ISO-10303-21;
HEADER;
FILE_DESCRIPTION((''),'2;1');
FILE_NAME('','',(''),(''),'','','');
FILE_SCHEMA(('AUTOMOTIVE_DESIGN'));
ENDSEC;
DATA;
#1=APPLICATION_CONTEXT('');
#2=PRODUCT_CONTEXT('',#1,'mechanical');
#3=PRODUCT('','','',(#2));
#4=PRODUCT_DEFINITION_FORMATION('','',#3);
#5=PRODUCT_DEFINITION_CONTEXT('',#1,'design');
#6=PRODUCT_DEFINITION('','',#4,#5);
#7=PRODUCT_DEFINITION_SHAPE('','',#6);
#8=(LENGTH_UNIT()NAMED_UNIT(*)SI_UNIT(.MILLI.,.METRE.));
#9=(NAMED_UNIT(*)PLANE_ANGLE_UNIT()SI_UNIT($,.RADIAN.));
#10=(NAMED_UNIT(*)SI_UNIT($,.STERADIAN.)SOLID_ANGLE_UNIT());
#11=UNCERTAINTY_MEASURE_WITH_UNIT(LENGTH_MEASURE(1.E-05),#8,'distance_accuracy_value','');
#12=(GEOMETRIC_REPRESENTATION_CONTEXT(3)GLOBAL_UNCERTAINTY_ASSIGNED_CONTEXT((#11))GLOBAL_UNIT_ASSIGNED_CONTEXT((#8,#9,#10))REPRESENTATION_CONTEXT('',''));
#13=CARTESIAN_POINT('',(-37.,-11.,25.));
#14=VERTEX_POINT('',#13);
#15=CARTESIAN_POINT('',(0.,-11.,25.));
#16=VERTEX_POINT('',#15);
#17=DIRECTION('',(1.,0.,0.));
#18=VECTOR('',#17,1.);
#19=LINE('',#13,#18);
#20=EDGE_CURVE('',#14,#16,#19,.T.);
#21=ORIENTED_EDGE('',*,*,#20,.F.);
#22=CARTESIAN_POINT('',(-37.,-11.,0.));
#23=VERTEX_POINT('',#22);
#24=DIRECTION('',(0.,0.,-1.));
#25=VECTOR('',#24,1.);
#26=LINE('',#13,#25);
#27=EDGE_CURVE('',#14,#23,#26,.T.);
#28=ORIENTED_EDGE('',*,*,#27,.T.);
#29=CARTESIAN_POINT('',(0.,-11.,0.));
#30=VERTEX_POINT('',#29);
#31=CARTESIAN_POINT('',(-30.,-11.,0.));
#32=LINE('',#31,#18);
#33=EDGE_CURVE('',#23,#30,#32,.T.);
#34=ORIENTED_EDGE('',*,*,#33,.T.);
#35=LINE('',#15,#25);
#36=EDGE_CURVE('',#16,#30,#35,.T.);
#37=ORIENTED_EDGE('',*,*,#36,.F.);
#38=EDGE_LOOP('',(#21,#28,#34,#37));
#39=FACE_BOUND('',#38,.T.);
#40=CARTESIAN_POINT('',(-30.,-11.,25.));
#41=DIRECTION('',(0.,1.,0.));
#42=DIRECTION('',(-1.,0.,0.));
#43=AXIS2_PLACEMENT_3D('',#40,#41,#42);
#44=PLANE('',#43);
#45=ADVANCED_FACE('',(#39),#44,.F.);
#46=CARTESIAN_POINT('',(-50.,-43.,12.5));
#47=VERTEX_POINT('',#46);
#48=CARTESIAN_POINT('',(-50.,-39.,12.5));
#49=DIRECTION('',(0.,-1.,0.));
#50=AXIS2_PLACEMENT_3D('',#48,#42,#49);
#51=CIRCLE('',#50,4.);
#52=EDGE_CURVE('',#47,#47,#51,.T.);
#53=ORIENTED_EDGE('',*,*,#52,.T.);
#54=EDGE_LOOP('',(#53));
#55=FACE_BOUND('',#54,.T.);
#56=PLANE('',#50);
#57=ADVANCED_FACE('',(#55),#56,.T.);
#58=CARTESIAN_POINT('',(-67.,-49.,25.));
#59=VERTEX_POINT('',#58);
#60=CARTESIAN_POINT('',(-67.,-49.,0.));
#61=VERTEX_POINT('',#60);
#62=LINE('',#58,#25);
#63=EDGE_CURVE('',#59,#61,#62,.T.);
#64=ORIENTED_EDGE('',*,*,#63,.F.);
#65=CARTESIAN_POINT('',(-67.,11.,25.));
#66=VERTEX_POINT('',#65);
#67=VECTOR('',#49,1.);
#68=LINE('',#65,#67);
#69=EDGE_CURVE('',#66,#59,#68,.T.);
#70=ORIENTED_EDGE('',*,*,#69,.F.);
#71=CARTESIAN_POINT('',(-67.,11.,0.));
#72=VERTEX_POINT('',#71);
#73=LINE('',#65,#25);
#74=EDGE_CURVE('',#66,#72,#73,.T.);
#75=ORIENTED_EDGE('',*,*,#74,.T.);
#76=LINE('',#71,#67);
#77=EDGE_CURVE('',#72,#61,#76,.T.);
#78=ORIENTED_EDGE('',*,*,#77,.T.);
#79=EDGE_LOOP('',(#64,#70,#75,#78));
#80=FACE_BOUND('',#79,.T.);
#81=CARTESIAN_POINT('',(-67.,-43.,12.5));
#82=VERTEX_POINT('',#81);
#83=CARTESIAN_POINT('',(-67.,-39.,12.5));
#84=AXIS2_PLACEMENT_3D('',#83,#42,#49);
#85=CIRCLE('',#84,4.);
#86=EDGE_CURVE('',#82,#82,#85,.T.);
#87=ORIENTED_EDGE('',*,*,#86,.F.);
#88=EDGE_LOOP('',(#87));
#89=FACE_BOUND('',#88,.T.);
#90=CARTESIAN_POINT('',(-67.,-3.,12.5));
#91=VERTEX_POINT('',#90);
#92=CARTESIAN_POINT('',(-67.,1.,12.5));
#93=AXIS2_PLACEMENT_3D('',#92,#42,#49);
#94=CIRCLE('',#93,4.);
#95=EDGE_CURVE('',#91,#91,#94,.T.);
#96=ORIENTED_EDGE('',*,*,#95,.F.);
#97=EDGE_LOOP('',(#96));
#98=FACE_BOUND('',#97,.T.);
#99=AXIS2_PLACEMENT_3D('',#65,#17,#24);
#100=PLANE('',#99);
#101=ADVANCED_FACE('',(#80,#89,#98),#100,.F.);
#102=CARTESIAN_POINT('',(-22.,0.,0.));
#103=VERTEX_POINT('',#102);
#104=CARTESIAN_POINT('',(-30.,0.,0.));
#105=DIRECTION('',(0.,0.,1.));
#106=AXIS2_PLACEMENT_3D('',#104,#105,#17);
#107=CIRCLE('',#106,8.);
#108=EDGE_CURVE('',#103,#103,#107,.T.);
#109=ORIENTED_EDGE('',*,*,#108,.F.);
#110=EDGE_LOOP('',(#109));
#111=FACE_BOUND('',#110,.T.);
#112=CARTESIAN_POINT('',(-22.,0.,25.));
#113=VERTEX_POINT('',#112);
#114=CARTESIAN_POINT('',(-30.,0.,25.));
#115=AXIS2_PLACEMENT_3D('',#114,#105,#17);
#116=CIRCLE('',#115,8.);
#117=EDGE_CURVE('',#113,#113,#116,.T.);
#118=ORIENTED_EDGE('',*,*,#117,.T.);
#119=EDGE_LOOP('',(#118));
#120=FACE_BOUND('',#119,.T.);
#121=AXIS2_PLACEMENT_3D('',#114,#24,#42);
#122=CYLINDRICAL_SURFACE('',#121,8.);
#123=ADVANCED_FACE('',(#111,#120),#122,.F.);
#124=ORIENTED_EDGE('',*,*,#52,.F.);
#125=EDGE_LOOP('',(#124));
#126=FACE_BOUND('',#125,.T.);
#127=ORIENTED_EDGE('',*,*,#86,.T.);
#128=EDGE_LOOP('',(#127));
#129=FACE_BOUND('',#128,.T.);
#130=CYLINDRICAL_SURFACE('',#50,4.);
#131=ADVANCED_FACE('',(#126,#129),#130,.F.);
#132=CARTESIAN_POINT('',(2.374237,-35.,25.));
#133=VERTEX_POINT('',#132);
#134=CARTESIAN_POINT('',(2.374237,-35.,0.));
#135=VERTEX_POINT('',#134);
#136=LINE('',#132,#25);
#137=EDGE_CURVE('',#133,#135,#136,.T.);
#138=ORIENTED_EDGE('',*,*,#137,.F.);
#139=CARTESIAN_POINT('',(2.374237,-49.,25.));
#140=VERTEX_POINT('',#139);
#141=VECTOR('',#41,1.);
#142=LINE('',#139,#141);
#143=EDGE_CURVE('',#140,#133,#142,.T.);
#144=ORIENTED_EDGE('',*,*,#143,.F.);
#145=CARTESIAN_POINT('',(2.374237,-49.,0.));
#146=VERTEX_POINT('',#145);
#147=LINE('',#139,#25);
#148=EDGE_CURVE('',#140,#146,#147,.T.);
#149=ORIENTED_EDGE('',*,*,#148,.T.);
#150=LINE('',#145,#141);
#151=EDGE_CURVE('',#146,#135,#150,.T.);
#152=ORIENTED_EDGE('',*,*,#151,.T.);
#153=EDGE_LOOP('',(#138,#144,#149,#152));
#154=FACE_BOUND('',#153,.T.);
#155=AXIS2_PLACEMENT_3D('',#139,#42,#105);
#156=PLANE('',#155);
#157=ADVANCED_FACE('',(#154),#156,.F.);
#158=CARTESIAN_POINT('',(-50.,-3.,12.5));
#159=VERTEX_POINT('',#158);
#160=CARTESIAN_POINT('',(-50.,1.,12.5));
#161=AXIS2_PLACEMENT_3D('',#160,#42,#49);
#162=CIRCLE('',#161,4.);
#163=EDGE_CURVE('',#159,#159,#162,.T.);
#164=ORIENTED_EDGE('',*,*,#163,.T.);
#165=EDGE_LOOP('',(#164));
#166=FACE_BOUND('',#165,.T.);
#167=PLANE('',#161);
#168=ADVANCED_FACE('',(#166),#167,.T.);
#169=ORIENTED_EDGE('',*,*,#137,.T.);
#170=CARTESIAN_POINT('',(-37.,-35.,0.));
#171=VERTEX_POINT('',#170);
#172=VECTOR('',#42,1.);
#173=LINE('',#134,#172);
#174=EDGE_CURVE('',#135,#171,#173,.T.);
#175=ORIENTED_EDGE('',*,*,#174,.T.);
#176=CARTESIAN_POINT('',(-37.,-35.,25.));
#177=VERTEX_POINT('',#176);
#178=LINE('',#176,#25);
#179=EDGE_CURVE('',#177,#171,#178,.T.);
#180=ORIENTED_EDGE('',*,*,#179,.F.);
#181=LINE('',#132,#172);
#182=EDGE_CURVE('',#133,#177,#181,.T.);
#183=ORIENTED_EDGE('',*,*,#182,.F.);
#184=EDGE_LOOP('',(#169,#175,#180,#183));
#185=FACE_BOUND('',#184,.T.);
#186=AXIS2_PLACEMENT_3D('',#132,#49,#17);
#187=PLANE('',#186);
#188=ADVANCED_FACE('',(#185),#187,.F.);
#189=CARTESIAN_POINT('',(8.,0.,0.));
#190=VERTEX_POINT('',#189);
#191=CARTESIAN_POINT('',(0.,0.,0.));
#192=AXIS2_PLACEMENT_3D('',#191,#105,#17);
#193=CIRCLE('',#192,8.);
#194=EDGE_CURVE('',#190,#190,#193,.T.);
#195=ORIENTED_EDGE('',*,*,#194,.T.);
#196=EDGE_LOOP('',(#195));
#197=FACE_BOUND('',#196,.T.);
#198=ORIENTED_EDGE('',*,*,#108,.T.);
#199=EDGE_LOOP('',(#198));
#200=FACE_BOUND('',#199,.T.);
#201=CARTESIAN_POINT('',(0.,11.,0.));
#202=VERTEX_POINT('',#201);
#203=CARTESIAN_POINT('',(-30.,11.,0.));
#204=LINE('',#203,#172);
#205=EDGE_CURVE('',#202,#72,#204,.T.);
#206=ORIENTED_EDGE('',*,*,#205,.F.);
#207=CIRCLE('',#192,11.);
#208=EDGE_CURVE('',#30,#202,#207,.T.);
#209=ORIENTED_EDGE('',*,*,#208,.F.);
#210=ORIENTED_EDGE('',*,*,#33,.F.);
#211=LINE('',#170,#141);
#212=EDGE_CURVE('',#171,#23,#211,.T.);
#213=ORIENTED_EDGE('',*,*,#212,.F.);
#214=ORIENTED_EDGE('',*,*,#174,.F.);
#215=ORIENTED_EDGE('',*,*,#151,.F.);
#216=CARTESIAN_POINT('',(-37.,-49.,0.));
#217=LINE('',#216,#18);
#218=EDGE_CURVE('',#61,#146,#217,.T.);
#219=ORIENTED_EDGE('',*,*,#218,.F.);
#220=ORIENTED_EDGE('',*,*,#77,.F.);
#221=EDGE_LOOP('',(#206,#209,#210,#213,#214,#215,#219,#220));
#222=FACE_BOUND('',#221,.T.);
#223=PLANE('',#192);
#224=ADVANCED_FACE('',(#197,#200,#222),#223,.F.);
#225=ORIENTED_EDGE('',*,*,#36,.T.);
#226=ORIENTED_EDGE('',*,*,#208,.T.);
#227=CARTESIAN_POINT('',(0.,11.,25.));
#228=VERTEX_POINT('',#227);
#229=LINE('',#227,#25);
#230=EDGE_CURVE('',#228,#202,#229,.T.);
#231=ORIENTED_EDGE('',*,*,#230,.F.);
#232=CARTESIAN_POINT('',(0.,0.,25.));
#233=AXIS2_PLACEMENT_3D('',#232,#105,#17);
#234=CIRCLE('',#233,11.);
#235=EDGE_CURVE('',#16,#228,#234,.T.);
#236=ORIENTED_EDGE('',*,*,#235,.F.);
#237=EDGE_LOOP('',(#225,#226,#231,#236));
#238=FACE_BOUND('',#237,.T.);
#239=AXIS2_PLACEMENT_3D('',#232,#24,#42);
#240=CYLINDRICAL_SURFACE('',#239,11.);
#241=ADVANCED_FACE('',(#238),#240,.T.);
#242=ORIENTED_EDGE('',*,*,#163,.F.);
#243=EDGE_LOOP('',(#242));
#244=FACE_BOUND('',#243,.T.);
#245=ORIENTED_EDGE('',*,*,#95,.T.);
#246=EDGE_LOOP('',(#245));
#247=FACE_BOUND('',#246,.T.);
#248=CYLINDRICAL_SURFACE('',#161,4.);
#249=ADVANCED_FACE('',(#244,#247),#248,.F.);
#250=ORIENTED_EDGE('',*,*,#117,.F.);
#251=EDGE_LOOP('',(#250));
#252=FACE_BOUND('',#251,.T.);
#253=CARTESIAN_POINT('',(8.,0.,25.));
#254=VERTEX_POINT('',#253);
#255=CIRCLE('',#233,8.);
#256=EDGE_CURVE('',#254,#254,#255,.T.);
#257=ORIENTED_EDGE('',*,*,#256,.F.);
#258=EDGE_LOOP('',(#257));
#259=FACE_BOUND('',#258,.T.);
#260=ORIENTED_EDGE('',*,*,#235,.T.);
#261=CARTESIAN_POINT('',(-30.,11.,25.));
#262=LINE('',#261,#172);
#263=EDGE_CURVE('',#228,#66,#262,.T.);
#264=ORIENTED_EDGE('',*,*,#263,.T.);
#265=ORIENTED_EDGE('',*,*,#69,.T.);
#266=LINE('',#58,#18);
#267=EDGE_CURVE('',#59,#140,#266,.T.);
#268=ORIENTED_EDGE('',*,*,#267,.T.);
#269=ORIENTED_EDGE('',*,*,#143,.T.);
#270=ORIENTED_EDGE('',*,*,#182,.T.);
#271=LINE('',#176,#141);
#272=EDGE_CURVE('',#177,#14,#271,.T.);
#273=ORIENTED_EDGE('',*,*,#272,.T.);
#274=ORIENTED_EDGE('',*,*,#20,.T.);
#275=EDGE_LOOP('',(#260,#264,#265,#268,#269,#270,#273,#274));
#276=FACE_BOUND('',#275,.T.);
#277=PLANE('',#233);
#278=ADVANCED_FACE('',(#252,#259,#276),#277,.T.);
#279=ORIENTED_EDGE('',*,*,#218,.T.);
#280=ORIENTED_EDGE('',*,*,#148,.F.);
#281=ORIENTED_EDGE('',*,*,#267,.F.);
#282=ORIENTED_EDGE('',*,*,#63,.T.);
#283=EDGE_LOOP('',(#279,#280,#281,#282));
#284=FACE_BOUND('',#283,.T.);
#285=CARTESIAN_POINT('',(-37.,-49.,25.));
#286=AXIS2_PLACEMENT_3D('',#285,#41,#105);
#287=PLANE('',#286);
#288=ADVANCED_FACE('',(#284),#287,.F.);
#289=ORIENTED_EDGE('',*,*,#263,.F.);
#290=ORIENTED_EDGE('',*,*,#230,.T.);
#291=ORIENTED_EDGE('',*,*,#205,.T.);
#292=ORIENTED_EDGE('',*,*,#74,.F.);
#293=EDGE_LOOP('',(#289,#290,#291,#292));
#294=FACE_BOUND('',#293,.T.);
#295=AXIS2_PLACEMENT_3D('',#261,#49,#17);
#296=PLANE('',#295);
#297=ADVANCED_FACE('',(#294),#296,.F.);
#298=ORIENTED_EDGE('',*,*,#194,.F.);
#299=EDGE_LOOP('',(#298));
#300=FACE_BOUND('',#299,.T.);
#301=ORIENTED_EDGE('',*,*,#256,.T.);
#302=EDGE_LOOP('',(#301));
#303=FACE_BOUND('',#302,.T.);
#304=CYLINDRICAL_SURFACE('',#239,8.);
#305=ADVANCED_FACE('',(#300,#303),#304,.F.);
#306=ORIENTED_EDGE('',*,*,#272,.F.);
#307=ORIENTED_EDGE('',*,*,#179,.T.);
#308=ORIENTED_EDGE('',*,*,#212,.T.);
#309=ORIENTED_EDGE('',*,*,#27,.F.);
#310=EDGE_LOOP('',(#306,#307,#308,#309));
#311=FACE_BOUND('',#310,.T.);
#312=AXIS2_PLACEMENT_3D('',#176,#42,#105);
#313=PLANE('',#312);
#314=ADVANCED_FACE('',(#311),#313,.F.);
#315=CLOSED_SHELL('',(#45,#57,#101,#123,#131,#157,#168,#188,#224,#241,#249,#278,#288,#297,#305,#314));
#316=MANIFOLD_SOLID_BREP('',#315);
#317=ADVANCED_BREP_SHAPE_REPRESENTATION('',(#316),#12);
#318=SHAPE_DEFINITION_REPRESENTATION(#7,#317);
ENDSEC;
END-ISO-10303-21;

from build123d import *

# Parameters (mm, degrees)
SKETCH1_R           = 8
BOSS_EXTRUDE1_DEPTH = 25
SKETCH2_R           = 4
CUT_EXTRUDE1_DEPTH  = 17


with BuildPart() as part:
    # Sketch1 → Boss-Extrude1 (new body)
    with BuildSketch(Plane.XY):
        with BuildLine():
            Line((-30, 11), (0, 11))
            ThreePointArc((0, 11), (11, 0), (0, -11))
            Line((0, -11), (-30, -11))
            Line((-30, -11), (-37, -11))
            Line((-37, -11), (-37, -35))
            Line((-37, -35), (2.374237314, -35))
            Line((2.374237314, -35), (2.374237314, -49))
            Line((2.374237314, -49), (-37, -49))
            Line((-37, -49), (-67, -49))
            Line((-67, -49), (-67, 11))
            Line((-67, 11), (-30, 11))
        make_face()
        Circle(SKETCH1_R, mode=Mode.SUBTRACT)
        with Locations((-30, 0)):
            Circle(SKETCH1_R, mode=Mode.SUBTRACT)
    extrude(amount=BOSS_EXTRUDE1_DEPTH)

    # Sketch2 → Cut-Extrude1 (cut)
    with BuildSketch(Plane.ZY.offset(67)):
        with Locations(Location((12.5, 1, 0), (0, 0, 270))):
            Circle(SKETCH2_R)
        with Locations(Location((12.5, -39, 0), (0, 0, 270))):
            Circle(SKETCH2_R)
    extrude(amount=-CUT_EXTRUDE1_DEPTH, mode=Mode.SUBTRACT)


solid = part.part
